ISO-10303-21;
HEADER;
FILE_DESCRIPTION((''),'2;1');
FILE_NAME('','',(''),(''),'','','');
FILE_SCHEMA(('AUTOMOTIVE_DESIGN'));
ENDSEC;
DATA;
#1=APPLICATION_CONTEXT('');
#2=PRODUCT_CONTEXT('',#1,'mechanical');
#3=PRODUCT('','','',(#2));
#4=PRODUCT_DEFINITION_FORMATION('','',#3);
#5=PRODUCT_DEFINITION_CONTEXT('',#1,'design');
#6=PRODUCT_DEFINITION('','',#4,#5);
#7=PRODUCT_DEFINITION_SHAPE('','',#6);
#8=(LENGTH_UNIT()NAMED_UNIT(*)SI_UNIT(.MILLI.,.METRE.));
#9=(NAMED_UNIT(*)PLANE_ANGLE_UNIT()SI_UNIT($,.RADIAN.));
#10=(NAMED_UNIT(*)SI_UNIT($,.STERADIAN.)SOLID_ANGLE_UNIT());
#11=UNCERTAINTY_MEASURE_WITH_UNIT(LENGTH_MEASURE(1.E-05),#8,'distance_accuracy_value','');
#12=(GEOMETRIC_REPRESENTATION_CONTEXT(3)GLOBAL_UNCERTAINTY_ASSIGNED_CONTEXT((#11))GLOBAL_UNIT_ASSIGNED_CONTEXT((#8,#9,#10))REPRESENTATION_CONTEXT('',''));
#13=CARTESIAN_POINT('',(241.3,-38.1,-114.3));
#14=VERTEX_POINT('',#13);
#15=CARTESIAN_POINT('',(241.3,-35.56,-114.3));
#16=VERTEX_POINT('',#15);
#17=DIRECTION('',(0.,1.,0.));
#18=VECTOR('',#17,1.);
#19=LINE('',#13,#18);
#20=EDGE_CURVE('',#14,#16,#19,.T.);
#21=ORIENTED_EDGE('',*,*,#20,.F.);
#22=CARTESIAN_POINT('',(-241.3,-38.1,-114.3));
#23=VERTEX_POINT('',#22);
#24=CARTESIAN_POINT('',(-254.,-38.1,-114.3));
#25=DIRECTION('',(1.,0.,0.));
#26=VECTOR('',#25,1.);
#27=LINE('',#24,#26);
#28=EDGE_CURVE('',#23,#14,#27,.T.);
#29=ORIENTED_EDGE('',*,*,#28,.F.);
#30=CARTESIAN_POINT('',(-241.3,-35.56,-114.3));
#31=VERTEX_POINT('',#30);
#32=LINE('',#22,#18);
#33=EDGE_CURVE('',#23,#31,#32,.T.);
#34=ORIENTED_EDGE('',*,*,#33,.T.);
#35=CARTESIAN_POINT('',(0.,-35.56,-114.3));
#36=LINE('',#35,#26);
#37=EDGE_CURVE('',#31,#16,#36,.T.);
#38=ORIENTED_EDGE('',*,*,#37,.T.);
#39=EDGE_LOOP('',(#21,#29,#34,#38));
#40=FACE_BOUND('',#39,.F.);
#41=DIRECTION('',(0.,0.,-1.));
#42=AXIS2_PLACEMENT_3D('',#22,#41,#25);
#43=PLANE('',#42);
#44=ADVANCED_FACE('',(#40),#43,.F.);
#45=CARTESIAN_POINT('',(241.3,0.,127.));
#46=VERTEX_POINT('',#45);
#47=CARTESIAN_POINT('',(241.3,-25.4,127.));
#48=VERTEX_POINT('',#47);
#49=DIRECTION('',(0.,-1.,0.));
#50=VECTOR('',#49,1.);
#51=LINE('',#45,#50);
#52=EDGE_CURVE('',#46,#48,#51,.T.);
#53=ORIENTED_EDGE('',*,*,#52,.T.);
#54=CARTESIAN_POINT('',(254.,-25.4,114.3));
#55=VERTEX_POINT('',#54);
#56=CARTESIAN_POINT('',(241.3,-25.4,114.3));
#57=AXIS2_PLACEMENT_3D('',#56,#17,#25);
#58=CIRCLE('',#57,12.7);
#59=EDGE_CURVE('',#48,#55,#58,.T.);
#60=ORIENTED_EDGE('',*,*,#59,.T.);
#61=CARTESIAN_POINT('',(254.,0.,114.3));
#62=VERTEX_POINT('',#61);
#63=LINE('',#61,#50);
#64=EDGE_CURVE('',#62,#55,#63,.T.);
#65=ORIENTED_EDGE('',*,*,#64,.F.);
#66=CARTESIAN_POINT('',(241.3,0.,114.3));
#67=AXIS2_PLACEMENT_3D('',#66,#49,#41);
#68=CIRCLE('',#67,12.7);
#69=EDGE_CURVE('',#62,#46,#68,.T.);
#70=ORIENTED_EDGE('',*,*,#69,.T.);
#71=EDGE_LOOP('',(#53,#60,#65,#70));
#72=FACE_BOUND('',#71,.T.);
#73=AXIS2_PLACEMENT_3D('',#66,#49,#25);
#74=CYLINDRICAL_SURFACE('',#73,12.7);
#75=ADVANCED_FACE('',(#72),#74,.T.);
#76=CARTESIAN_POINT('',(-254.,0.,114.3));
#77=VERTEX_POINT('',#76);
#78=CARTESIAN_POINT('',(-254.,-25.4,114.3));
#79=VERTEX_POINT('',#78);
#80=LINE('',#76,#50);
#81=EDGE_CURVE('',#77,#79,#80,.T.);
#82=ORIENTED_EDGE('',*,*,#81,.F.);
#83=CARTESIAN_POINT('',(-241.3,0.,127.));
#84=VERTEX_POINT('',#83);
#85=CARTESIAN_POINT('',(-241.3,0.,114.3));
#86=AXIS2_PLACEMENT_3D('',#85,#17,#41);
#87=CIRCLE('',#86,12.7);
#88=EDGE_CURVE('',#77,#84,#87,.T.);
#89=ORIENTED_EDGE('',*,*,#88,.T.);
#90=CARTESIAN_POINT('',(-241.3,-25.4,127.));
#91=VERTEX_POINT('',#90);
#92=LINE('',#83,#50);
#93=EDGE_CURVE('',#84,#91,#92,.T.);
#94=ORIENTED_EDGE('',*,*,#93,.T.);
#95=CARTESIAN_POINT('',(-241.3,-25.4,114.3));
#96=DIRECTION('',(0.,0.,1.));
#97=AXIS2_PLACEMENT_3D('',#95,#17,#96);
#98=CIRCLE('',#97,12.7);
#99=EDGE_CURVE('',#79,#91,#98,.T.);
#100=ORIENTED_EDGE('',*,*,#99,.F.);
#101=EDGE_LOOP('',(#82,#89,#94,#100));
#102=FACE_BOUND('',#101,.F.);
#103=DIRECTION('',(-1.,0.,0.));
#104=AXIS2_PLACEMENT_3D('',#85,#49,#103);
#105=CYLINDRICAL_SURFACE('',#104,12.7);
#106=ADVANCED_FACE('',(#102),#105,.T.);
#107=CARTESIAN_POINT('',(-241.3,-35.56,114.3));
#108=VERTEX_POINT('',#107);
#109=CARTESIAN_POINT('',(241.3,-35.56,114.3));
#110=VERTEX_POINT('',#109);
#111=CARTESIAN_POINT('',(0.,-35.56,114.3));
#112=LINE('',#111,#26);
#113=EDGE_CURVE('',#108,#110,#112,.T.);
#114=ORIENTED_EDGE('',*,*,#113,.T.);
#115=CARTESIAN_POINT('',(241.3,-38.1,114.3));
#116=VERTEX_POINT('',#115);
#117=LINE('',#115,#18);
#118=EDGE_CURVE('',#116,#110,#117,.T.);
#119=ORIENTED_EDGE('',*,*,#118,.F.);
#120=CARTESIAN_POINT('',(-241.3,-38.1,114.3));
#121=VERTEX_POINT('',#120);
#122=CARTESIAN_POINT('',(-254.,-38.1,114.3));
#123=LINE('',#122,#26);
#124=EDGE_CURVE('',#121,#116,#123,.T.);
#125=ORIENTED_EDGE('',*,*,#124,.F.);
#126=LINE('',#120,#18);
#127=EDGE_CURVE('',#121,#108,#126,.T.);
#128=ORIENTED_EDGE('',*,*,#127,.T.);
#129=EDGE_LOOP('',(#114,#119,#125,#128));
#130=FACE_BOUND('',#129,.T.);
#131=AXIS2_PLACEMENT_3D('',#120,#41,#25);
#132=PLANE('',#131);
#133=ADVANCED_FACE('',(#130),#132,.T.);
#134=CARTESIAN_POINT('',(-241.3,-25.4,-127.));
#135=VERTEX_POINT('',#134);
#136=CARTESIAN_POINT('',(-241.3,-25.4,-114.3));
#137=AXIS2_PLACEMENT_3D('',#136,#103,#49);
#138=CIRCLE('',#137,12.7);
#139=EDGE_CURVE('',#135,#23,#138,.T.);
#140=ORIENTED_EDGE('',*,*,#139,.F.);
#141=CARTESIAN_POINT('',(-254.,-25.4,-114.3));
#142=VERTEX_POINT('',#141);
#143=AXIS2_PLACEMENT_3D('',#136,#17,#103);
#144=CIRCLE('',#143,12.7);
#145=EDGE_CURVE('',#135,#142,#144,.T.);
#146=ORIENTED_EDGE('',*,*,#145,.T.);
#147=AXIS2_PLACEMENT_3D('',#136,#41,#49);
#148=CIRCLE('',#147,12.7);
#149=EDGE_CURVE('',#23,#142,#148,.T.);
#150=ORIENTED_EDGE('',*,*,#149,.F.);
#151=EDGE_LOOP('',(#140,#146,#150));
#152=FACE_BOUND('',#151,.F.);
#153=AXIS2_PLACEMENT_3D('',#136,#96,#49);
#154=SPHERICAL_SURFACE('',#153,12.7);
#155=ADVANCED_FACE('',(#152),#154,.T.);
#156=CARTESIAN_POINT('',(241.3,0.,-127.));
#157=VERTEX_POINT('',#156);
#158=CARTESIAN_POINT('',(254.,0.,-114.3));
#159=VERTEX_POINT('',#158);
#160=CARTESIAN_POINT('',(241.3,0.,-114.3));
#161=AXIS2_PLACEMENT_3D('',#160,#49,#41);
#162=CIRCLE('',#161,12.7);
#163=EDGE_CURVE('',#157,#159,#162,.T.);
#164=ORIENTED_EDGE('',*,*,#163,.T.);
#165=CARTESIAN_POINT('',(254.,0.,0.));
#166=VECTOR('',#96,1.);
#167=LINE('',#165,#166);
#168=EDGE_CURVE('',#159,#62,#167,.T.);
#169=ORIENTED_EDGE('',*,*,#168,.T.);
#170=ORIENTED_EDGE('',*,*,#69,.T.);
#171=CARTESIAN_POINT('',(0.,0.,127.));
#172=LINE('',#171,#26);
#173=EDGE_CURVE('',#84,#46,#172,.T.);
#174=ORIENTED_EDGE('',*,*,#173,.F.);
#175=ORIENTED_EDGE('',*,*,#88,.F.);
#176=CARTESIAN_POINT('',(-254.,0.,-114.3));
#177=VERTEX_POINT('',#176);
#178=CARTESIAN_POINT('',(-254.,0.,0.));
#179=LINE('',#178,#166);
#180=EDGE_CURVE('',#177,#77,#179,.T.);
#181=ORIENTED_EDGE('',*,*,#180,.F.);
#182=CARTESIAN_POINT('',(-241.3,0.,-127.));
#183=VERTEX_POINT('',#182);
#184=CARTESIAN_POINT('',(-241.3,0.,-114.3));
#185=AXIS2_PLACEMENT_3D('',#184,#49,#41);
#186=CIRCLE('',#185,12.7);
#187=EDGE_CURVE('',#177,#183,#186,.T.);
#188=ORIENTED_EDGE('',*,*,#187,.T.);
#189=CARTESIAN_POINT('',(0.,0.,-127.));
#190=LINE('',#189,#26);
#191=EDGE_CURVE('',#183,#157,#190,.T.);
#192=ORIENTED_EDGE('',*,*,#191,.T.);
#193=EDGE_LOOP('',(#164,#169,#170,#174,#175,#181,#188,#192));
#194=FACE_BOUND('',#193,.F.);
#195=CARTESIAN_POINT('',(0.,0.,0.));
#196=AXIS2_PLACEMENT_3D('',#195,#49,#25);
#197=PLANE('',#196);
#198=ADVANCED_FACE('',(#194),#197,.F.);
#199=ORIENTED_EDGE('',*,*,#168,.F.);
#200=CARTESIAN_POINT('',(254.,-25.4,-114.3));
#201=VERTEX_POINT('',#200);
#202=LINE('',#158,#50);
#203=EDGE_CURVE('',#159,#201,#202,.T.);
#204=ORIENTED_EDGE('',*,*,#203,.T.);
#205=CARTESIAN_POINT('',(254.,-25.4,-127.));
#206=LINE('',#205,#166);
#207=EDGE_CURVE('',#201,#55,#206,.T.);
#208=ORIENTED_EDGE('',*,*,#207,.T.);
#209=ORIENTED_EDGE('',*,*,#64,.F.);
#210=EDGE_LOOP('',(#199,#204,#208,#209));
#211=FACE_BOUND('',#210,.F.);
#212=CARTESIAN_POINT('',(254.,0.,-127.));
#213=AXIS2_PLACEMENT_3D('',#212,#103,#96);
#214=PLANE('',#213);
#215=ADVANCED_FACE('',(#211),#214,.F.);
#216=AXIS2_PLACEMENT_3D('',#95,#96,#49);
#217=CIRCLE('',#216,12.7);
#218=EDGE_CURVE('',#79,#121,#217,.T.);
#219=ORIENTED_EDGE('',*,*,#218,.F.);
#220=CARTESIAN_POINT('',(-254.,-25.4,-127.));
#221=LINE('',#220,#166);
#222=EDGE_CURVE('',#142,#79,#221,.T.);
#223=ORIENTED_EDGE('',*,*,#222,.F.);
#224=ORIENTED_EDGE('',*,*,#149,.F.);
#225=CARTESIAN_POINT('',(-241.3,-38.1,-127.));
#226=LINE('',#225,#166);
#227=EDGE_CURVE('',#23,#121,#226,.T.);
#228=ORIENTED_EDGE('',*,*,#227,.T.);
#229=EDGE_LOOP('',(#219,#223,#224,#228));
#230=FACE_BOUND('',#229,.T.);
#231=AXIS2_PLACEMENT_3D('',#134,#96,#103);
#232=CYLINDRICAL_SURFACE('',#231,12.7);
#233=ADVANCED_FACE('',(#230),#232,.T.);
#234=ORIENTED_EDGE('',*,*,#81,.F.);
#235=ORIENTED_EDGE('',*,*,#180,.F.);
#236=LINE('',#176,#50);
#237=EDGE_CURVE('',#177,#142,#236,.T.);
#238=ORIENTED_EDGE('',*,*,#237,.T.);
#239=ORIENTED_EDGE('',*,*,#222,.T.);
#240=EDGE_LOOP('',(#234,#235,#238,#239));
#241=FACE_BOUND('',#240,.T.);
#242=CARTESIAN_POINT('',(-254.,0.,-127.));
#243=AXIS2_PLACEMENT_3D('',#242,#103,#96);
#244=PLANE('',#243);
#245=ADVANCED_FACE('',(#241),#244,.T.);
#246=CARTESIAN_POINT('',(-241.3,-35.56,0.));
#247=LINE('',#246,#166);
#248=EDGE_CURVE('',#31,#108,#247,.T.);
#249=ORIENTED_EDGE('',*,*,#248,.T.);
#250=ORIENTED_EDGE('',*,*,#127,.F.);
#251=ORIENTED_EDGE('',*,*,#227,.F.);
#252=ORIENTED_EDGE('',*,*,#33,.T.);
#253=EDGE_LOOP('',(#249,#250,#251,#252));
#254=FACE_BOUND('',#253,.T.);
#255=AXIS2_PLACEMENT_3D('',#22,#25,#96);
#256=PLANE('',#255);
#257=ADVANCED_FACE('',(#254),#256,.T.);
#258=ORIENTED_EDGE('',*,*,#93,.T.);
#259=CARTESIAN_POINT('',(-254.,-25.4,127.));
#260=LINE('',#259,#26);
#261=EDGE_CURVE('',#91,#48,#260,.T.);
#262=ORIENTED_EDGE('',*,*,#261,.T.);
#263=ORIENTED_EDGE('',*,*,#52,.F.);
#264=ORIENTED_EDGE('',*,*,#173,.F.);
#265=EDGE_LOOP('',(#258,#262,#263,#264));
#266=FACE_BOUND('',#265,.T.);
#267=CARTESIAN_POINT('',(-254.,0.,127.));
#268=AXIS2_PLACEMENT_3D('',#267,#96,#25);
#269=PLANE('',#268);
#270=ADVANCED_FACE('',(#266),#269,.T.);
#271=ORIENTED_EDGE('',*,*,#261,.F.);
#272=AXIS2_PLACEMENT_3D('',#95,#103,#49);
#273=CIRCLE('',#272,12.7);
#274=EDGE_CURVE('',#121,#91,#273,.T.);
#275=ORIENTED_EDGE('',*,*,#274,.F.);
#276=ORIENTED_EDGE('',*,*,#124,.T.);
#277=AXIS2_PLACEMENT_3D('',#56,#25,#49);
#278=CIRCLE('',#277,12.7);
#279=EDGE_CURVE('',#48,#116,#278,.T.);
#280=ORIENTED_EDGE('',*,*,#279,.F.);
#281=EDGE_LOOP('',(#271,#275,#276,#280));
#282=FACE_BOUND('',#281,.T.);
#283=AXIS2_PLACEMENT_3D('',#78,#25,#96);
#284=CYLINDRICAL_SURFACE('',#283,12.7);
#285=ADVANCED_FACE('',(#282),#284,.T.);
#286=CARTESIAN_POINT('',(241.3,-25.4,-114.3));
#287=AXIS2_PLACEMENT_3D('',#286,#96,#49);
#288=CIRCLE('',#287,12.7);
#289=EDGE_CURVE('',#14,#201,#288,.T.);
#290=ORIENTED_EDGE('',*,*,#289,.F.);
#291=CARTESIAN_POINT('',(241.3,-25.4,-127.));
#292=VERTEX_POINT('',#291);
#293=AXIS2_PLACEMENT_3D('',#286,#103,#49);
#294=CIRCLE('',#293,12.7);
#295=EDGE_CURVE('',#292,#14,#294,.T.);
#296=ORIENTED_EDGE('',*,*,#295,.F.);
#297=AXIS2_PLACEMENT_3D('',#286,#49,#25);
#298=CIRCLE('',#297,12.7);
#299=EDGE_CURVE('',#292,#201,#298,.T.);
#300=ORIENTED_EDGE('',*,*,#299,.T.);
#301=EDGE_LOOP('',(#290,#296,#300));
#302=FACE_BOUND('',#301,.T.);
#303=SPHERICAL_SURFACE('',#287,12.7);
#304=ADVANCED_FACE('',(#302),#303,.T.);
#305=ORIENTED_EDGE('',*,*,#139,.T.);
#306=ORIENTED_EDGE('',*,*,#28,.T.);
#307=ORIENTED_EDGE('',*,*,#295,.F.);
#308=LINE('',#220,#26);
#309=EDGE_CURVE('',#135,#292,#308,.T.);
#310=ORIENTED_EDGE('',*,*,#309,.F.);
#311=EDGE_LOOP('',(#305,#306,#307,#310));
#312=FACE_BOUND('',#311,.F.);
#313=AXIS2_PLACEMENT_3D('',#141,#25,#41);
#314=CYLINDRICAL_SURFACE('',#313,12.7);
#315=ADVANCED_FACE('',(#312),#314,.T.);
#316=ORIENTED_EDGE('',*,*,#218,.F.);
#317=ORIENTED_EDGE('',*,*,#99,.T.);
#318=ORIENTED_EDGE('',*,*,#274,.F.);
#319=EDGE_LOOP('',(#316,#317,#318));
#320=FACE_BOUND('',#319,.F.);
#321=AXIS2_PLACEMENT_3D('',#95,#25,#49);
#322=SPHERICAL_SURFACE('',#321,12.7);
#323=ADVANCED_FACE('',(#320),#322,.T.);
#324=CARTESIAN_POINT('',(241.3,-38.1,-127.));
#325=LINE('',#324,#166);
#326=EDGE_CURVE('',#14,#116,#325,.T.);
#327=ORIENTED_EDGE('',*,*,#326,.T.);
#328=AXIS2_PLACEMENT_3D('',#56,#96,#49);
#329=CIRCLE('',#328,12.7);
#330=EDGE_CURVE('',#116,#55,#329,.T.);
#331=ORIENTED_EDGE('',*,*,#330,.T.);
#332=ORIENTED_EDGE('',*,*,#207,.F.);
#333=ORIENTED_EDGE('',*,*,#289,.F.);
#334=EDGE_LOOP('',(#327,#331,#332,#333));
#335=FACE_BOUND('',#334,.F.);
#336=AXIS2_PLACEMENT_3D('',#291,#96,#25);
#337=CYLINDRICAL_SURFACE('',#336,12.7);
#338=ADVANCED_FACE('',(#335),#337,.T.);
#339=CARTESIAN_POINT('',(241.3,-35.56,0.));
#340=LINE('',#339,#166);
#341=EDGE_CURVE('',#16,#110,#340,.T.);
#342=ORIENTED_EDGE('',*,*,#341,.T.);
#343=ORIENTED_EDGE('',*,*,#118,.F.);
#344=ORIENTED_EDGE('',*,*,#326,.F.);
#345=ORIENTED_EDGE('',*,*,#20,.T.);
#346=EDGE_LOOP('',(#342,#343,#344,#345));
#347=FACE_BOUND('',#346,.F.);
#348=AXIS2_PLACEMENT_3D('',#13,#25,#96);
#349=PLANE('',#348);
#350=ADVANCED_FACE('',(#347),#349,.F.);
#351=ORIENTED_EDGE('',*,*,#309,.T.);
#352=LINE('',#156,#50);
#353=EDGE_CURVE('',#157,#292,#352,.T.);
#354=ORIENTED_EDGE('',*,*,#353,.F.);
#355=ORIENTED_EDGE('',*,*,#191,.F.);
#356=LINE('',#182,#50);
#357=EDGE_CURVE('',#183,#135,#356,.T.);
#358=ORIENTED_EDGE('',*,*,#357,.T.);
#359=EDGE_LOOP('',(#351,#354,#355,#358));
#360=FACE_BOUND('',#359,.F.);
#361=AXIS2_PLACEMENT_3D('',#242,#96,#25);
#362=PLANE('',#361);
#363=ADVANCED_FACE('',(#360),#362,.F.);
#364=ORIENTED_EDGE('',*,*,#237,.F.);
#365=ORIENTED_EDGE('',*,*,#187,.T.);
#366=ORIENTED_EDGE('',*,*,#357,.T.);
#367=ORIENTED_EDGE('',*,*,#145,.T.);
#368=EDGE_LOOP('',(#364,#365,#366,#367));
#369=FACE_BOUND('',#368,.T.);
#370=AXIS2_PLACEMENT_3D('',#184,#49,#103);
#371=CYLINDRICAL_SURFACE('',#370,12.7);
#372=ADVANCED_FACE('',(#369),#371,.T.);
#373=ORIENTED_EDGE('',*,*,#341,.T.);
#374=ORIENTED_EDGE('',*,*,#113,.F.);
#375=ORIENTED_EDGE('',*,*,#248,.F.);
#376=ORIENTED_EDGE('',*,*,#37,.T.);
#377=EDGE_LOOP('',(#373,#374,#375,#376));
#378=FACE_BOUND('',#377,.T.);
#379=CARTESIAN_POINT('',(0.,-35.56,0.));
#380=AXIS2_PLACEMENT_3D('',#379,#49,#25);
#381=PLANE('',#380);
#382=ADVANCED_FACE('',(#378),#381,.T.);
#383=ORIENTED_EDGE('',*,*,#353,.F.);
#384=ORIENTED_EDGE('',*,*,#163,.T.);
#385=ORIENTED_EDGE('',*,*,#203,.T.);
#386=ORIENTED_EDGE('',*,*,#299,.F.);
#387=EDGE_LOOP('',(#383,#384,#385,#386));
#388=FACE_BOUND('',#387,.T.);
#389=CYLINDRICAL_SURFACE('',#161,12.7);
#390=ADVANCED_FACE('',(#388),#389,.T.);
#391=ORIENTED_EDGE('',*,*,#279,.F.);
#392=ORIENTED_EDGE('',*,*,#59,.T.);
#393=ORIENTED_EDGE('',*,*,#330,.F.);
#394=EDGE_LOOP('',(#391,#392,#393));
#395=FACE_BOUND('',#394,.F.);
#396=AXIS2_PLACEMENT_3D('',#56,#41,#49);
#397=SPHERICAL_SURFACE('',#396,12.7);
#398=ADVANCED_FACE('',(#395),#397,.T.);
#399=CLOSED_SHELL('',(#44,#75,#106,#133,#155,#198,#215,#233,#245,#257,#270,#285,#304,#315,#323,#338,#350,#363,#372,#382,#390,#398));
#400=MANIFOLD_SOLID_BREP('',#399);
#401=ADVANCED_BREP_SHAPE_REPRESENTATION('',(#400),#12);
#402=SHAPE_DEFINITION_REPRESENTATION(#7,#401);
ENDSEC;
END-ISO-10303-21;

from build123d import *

# Parameters (mm, degrees)
F0_W      = 508
F0_H      = 254
F1_DEPTH  = 38.1
F2_R      = 12.7
F1_FACE_W = 482.6
F1_FACE_H = 228.6
F3_DEPTH  = 2.54


with BuildPart() as f1:
    # F0 (on Front) → F1 (new body)
    with BuildSketch(Plane.XZ):
        Rectangle(F0_W, F0_H)
    extrude(amount=F1_DEPTH)

    # F2
    f2_edges = [f1.edges().sort_by_distance(p)[0] for p in [
        (254, -38.1, 0),
        (0, -38.1, 127),
        (-254, -38.1, 0),
        (0, -38.1, -127),
        (-254, -19.05, 127),
        (254, -19.05, 127),
        (254, -19.05, -127),
        (-254, -19.05, -127),
    ]]
    fillet(f2_edges, radius=F2_R)

    # F1_face (on face) → F3 (cut)
    with BuildSketch(Plane.XZ.offset(38.1)):
        Rectangle(F1_FACE_W, F1_FACE_H)
    extrude(amount=-F3_DEPTH, mode=Mode.SUBTRACT)


solid = f1.part
